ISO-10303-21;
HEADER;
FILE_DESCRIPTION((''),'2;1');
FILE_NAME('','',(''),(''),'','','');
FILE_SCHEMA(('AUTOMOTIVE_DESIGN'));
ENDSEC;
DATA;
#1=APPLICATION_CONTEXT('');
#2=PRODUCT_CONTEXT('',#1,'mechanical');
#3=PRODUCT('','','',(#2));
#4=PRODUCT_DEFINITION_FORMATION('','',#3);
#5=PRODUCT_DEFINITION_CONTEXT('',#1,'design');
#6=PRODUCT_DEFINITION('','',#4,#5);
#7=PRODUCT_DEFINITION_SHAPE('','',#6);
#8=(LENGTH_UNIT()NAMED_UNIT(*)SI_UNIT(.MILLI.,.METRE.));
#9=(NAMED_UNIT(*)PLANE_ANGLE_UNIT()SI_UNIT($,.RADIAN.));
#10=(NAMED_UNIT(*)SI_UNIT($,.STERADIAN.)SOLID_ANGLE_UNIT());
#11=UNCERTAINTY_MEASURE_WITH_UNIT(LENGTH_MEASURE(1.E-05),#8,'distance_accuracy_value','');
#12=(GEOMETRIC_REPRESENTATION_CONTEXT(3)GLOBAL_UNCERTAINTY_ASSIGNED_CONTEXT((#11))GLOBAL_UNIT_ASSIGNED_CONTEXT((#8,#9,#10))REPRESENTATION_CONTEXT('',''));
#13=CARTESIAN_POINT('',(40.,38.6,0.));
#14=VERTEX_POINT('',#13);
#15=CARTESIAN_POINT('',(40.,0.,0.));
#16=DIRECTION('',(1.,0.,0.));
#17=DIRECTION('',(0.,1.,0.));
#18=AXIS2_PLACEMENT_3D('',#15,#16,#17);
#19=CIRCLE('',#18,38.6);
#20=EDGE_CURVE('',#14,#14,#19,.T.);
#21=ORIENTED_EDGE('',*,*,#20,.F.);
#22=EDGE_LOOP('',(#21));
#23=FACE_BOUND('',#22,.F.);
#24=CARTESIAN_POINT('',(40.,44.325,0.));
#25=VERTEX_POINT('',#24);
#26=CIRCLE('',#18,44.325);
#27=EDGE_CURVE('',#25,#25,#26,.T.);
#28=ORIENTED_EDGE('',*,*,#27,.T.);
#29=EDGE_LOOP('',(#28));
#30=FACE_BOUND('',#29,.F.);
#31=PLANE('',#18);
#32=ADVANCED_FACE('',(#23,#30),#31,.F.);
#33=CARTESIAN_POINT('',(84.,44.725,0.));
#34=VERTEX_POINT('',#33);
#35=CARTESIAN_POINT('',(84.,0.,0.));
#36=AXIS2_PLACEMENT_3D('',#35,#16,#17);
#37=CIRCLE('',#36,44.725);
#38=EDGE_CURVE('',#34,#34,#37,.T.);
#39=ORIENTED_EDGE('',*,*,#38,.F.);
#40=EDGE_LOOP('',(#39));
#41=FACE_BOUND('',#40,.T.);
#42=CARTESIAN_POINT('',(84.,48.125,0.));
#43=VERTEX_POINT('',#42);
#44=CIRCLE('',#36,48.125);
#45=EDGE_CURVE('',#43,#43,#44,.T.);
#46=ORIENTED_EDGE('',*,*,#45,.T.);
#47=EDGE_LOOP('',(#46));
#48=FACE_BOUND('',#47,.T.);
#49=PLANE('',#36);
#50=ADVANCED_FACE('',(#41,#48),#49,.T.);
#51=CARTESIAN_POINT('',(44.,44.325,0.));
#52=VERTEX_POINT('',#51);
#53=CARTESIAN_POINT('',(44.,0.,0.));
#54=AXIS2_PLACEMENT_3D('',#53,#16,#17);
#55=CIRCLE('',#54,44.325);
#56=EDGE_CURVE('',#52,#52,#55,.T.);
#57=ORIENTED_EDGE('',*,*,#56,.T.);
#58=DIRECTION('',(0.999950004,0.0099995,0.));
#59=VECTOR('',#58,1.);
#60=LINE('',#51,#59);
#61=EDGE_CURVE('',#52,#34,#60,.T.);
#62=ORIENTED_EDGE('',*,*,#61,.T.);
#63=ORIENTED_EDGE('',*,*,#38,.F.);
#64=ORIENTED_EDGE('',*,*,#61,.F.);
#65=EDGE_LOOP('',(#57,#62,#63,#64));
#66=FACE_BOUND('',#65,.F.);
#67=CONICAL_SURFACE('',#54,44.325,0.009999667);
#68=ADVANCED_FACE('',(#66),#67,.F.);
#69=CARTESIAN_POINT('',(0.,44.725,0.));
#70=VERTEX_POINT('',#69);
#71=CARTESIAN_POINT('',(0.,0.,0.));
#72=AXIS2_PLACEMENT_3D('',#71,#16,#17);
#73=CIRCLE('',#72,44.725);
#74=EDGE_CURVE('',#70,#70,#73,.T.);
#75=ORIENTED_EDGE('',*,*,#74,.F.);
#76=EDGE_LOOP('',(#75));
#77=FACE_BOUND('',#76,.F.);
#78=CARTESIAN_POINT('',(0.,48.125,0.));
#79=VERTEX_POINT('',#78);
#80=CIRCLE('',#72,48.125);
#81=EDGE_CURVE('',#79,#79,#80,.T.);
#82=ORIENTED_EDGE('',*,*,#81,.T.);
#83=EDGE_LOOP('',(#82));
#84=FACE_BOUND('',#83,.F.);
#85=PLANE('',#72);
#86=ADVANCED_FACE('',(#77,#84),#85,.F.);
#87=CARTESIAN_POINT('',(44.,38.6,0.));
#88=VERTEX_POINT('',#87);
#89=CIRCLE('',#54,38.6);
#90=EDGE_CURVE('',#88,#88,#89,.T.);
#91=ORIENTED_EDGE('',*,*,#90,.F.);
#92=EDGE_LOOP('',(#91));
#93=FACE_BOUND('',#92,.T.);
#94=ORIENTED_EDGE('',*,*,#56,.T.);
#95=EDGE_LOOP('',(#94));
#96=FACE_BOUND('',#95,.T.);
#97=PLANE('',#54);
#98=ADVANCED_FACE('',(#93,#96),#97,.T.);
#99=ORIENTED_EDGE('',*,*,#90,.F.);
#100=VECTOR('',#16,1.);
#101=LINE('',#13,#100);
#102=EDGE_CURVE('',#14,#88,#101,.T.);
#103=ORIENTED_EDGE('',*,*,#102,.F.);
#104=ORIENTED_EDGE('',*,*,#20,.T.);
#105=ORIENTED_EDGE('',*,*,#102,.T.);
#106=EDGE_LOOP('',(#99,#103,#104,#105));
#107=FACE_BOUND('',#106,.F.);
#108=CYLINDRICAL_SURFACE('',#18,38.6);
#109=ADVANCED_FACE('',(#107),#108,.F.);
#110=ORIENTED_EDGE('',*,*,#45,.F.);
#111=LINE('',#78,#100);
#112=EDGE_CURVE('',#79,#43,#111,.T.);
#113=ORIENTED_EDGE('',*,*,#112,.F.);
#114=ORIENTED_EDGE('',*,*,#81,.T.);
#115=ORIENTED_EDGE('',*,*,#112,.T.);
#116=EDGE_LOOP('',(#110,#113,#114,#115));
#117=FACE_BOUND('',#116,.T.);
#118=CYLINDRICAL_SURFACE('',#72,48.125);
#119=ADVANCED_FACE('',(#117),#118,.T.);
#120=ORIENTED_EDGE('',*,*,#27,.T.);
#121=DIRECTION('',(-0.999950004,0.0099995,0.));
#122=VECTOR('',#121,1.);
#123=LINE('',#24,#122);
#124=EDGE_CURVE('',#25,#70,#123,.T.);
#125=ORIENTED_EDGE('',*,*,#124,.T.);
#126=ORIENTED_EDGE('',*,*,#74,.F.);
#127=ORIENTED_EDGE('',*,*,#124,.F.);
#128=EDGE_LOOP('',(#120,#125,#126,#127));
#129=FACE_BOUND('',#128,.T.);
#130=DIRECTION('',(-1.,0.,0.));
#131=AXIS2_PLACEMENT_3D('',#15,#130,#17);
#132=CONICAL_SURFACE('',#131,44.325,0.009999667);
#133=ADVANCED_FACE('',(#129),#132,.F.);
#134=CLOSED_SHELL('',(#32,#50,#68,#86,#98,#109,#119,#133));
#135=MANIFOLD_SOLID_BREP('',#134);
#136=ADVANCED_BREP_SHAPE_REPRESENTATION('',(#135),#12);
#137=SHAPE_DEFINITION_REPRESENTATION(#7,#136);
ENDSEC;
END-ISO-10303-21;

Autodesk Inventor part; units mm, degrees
ref_plane "YZ Plane" through (0, 0, 0) normal (1, 0, 0) x (0, 1, 0)
ref_plane "XZ Plane" through (0, 0, 0) normal (0, 1, 0) x (-1, 0, 0)
ref_plane "XY Plane" through (0, 0, 0) normal (0, 0, 1) x (1, 0, 0)
sketch "Sketch1" plane through (0, 0, 0) normal (0, 0, 1) x (1, 0, 0)
  line L0 (0, 0) -> (84, 0)
  line L1 (0, 48.125) -> (0, 0)
  line L2 (40, 44.325) -> (0, 44.725)
  line L3 (40, 44.325) -> (40, 38.6)
  line L4 (0, 48.125) -> (84, 48.125)
  line L5 (42, 0) -> (42, 48.125) construction
  line L6 (84, 48.125) -> (84, 0)
  line L7 (44, 44.325) -> (84, 44.725)
  line L8 (44, 44.325) -> (44, 38.6)
  line L9 (40, 38.6) -> (44, 38.6)
  line L10 (40, 38.6) -> (40, 0) construction
  line L11 (44, 38.6) -> (44, 0) construction
  dimension "d0" = 89.45
  dimension "d3" = 88.65
  dimension "d4" = 40
  dimension "d5" = 96.25
  dimension "d6" = 77.2
  dimension "d7" = 84
revolve "Revolution1" add sketch "Sketch1" angle 360 about axis through (0, 0, 0) along (1, 0, 0) contours L1 L4 L6 L7 L8 L9 L3 L2
equation "\"d0\" = d1"
equation "\"d3\" = d2"
equation "\"d4\" = l1"
equation "\"d5\" = d1 + 2 * t2"
equation "\"d6\" = d"
equation "\"d7\" = L"
equation "\"d\" = 77.2"
equation "\"d1\" = 89.45"
equation "\"d2\" = 88.65"
equation "\"l1\" = 40"
equation "\"L\" = 84"
equation "\"t1\" = 3.6"
equation "\"t2\" = 3.4"
equation "\"Z\" = 4"
properties part number "JIS K 6739 Socket (DS) 75" material "PVC, Unplasticized"
